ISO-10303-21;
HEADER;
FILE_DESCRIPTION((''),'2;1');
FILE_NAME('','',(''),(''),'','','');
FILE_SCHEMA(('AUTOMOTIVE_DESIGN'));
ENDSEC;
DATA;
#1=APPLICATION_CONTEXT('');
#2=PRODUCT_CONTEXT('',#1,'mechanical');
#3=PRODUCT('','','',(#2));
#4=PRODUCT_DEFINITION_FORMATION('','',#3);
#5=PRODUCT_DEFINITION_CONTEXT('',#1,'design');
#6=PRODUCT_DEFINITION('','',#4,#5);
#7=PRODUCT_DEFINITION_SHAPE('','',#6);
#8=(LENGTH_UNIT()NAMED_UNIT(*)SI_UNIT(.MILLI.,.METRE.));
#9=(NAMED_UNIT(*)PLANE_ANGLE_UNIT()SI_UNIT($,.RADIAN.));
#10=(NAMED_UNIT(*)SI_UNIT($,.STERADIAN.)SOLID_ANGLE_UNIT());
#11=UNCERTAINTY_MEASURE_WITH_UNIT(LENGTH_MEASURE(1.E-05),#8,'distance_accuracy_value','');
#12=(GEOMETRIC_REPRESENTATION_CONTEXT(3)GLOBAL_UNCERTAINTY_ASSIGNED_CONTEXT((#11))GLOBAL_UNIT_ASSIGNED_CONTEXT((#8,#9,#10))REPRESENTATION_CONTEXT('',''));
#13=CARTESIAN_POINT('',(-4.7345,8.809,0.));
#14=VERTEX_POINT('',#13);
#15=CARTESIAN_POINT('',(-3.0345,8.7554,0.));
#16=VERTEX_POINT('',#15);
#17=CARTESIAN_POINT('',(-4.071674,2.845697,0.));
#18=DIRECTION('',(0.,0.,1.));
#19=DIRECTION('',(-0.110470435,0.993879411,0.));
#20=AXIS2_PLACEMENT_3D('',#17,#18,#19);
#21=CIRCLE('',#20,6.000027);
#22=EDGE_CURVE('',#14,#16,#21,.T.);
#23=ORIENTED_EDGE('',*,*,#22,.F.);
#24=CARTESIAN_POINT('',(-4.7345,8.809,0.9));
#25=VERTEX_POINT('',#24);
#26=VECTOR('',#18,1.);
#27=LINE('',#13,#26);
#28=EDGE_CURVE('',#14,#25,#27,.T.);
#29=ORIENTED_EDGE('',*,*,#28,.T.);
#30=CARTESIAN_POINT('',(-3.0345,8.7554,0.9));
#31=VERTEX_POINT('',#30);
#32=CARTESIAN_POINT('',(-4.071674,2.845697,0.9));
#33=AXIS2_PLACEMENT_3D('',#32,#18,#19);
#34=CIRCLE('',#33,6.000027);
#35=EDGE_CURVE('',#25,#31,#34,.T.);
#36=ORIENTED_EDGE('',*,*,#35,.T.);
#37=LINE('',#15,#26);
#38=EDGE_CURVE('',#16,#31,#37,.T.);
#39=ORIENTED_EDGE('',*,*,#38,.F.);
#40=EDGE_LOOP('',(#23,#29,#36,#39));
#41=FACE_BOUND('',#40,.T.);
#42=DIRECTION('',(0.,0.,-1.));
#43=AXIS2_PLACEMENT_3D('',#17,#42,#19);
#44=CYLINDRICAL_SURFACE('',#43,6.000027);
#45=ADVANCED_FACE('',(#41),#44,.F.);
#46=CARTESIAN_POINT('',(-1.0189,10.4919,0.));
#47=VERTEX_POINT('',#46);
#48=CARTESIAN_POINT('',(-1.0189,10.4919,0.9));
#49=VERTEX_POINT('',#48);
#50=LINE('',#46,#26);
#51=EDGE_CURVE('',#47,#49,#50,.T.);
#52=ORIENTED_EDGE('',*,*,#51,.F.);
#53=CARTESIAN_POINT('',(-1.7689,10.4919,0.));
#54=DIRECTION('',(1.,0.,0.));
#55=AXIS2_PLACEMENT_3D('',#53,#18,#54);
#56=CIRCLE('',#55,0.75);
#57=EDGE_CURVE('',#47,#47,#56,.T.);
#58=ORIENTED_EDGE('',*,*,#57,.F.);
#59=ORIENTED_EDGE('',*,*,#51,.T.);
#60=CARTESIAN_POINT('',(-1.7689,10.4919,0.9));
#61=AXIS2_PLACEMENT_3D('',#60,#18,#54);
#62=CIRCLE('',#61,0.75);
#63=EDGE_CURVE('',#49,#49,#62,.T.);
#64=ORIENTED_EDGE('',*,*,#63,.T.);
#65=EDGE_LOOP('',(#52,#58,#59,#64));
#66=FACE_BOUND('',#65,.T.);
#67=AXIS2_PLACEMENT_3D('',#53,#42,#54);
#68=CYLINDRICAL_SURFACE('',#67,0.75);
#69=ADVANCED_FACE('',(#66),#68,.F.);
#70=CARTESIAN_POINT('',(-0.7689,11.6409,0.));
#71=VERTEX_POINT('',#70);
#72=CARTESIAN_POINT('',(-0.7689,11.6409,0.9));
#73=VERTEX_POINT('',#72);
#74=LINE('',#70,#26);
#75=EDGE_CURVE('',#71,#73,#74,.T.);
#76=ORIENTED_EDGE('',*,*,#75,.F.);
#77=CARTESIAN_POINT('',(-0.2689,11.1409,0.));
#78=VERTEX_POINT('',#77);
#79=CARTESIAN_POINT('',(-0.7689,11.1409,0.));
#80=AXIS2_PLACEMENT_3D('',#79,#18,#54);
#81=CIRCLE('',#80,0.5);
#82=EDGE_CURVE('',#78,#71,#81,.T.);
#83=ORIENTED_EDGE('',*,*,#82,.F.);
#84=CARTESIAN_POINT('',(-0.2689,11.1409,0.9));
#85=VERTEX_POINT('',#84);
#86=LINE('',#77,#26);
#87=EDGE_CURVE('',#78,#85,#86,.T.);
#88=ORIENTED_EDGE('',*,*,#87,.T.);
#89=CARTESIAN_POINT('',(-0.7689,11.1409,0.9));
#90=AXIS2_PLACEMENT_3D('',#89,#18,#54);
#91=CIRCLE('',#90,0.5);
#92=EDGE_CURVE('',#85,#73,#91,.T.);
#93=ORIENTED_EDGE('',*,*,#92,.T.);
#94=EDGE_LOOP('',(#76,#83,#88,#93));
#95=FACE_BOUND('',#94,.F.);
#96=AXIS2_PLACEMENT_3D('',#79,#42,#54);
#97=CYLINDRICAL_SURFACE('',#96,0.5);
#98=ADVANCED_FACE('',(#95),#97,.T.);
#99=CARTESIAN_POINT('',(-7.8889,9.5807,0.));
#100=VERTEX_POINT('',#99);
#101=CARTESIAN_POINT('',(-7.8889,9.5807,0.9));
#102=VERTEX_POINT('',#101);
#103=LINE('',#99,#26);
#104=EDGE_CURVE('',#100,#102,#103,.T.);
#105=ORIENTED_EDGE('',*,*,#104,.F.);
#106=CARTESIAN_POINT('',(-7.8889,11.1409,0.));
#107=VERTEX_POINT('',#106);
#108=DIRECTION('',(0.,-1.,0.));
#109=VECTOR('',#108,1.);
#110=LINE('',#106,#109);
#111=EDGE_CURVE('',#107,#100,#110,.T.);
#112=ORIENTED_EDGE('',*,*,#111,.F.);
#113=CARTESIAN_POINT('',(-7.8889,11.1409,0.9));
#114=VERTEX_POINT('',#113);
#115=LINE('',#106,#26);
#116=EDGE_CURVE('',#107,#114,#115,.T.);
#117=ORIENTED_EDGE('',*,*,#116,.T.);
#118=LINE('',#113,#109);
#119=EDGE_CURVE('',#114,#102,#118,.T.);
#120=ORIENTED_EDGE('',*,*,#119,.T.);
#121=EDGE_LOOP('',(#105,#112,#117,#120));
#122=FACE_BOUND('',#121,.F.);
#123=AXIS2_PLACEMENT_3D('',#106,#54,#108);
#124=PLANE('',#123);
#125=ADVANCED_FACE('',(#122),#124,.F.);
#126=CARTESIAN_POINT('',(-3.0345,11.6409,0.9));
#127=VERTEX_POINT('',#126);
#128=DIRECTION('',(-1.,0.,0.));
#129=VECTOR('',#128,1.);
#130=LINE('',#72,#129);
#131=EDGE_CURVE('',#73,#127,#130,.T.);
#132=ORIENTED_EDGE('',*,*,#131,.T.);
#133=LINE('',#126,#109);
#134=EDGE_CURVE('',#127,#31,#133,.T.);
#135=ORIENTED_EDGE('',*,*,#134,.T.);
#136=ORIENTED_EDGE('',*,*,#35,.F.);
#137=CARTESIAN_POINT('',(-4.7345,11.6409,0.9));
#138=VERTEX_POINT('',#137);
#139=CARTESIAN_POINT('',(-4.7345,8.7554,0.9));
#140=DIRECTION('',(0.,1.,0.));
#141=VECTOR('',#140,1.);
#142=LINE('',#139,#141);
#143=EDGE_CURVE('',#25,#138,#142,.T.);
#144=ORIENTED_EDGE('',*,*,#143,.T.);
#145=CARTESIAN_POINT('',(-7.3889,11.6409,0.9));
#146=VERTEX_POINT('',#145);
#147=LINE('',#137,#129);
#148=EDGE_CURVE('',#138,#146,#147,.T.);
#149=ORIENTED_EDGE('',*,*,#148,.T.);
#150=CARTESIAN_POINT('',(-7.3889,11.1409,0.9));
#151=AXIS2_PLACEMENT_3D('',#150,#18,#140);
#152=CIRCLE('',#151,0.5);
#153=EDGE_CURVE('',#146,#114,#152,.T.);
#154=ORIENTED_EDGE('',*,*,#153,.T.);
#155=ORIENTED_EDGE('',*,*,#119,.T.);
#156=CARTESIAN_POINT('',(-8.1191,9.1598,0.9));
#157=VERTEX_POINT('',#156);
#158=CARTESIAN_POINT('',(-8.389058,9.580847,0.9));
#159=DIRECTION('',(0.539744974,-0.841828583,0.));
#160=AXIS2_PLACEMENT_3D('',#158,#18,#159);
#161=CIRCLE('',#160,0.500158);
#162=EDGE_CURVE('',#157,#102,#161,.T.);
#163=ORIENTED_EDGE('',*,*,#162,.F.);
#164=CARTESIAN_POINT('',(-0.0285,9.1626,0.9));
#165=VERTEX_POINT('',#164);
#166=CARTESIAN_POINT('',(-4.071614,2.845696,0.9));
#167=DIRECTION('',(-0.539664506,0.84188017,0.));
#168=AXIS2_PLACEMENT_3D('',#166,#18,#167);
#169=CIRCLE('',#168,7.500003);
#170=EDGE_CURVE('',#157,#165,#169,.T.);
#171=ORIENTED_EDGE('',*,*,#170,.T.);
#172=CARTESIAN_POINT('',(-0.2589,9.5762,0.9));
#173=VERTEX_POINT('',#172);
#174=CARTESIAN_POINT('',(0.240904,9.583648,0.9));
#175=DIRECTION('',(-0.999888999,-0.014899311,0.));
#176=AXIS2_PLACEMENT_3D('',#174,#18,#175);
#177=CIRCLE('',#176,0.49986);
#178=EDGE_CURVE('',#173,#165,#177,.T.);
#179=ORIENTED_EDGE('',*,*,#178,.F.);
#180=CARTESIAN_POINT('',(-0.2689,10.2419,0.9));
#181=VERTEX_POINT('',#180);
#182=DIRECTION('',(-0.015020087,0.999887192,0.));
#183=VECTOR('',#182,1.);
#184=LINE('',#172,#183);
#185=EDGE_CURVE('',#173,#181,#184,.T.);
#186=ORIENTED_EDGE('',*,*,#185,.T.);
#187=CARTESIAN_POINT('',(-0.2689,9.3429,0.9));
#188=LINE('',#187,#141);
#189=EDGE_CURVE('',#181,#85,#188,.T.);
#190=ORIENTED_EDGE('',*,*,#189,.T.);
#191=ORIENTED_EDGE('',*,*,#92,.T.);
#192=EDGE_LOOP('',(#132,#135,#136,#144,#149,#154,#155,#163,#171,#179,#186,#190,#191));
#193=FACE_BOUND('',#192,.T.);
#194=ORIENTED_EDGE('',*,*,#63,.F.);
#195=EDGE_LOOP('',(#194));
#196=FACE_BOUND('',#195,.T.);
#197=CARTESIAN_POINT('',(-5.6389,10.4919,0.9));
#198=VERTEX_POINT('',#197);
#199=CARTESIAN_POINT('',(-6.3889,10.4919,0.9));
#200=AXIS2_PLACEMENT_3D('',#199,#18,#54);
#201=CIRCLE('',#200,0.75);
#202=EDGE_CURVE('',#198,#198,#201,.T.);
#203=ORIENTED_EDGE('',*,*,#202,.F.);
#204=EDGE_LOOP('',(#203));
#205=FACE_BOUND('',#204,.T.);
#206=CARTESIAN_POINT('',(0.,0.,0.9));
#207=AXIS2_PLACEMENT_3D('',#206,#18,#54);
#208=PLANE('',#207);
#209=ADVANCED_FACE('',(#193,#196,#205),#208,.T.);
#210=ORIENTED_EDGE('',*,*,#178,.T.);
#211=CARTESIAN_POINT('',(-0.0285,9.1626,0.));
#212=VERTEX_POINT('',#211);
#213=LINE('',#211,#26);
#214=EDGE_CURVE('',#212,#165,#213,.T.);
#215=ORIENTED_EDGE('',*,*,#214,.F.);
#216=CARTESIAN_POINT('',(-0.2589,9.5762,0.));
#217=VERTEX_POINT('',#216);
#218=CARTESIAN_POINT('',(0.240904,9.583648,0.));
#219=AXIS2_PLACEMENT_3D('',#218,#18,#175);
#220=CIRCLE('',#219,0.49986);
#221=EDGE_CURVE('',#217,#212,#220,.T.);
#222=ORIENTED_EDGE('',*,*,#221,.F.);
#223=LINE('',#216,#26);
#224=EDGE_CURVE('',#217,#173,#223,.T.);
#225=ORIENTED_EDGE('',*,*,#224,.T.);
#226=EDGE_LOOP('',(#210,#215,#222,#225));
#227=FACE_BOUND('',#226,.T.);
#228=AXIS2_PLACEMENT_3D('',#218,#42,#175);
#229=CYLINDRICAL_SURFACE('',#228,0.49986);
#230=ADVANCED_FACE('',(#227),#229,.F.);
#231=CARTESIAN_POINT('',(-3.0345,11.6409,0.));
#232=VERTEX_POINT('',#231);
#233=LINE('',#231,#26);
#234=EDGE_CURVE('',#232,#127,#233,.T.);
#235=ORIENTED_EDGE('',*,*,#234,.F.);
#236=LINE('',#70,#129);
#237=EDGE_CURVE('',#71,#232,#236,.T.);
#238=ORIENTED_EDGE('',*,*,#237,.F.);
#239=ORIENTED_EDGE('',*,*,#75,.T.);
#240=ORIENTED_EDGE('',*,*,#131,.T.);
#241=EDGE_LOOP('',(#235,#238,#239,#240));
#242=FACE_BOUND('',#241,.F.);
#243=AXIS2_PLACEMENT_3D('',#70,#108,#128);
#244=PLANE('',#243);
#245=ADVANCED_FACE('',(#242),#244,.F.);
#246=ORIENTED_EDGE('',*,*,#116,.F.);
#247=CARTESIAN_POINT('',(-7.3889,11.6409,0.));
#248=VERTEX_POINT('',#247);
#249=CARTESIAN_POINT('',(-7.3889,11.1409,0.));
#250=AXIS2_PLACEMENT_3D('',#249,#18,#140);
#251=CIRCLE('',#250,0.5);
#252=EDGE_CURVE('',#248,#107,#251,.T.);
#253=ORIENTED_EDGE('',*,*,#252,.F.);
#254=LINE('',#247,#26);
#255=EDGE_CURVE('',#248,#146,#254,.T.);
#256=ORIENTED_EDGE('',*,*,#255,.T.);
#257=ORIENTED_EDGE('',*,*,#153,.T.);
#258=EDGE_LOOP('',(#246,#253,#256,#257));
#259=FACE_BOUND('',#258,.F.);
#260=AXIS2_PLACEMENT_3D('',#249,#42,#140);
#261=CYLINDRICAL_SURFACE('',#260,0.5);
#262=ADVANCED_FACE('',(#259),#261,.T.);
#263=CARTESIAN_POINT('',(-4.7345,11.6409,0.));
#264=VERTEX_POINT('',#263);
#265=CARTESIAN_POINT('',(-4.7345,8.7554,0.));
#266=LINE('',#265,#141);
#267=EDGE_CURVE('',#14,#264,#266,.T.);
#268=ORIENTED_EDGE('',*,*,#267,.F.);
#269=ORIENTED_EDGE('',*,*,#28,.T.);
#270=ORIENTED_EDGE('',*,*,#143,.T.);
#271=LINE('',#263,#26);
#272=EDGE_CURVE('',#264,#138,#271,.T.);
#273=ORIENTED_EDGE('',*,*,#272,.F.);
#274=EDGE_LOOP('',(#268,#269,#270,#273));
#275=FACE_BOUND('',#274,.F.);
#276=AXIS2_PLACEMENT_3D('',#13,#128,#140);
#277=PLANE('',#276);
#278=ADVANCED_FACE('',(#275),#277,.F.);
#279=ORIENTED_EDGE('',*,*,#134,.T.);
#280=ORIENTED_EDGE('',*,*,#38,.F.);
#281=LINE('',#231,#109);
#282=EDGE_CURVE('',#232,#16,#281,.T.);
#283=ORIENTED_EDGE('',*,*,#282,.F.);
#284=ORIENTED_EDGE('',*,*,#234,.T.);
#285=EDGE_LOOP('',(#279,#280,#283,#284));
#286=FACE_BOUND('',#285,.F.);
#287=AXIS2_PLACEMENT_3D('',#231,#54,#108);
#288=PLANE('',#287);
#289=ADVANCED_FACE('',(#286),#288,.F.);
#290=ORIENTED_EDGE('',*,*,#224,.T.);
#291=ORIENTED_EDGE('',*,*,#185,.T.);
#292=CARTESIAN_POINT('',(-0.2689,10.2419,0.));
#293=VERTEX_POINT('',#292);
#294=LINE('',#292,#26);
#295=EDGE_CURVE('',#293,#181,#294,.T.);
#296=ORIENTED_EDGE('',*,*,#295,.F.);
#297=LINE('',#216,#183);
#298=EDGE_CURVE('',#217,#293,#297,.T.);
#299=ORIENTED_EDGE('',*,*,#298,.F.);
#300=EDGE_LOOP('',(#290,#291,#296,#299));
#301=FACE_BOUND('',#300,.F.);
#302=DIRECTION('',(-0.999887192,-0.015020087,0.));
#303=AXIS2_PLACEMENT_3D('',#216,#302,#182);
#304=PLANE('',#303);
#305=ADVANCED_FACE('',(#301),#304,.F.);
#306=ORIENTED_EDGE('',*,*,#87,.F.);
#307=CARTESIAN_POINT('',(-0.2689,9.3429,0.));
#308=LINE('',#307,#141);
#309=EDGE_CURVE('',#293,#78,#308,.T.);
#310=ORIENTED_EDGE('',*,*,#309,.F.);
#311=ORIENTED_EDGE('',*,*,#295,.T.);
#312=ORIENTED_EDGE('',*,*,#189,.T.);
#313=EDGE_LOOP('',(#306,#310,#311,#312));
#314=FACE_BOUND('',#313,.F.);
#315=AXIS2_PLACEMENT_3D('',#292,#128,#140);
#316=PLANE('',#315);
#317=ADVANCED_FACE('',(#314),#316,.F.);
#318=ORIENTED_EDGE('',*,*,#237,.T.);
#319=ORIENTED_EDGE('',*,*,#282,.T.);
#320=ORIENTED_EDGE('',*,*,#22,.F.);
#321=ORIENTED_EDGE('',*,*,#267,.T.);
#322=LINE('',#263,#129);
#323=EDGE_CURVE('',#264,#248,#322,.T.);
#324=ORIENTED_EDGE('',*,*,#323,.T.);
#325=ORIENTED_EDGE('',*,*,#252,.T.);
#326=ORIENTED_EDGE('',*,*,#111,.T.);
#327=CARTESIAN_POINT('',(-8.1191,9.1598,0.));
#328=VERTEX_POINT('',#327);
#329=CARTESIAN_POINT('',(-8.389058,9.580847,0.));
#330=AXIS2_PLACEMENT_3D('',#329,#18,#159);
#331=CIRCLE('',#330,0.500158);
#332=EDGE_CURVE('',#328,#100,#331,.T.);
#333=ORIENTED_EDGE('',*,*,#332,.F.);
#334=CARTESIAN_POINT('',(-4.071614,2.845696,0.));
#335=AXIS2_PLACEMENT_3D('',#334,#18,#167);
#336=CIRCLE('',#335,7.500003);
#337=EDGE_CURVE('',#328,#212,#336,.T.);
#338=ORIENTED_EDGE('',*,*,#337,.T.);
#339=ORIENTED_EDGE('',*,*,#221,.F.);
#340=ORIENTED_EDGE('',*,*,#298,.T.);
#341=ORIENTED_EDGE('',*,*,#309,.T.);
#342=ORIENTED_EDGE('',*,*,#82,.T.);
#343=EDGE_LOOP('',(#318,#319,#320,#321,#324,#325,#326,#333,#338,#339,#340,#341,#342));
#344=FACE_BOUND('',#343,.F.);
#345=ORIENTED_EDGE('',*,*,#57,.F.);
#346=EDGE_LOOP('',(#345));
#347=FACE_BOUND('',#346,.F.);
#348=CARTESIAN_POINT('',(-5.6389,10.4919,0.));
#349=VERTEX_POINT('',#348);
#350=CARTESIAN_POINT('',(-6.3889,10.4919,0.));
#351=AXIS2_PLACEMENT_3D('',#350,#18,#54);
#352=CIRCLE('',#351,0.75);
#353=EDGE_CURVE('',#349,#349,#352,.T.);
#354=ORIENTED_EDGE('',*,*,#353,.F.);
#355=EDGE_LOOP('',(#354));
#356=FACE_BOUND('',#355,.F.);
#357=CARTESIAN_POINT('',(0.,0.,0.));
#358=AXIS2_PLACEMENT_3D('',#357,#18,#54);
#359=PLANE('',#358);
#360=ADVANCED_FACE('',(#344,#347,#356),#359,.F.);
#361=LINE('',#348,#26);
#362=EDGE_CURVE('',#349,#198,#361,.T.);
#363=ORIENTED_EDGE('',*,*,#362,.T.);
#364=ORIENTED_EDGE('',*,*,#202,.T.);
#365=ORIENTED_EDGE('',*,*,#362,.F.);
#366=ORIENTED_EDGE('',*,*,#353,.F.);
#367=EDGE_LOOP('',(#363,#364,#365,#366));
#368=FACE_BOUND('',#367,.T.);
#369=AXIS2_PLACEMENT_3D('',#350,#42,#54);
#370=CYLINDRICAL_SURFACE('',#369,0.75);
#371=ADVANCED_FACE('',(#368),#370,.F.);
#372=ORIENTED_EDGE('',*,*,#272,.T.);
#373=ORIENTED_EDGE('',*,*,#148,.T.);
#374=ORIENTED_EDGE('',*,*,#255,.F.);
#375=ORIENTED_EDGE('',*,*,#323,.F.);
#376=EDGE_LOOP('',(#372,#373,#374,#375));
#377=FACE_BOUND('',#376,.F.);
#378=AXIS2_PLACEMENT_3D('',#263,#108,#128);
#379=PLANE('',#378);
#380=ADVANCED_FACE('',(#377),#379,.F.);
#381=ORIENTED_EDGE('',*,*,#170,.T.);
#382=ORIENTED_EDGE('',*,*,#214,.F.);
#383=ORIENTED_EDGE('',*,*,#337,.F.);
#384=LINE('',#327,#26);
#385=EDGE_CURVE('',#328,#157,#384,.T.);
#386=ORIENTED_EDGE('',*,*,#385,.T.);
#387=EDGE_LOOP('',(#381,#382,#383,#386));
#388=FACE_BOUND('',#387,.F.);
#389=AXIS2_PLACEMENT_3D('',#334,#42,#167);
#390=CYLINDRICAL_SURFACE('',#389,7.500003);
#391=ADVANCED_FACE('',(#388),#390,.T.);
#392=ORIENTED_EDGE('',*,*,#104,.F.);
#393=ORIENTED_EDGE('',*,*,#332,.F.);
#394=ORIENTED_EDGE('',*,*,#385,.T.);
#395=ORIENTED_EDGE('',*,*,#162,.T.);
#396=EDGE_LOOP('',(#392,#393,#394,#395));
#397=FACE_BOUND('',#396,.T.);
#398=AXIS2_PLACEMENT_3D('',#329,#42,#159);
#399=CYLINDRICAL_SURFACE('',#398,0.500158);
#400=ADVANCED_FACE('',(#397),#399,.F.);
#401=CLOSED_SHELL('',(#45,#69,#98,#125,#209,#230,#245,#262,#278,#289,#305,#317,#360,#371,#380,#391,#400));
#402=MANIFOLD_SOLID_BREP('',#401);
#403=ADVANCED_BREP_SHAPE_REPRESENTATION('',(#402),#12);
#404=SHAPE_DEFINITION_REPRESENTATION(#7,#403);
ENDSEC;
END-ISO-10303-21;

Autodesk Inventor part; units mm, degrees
ref_plane "YZ Plane" through (0, 0, 0) normal (1, 0, 0) x (0, 1, 0)
ref_plane "XZ Plane" through (0, 0, 0) normal (0, 1, 0) x (-1, 0, 0)
ref_plane "XY Plane" through (0, 0, 0) normal (0, 0, 1) x (1, 0, 0)
sketch "Sketch1" plane through (0, 0, 0) normal (0, 0, 1) x (1, 0, 0)
  arc A0 (-4.7345, 8.809) -> (-3.0345, 8.7554) centre (-4.0716, 2.8457) ccw
  line L0 (-0.2689, 9.3429) -> (-0.2689, 11.1409)
  line L1 (-0.7689, 11.6409) -> (-3.0345, 11.6409)
  line L2 (-7.8889, 11.1409) -> (-7.8889, 9.5807)
  circle A1 centre (-1.7689, 10.4919) radius 0.75
  circle A2 centre (-6.3889, 10.4919) radius 0.75
  arc A3 (-8.1191, 9.1598) -> (-0.0285, 9.1626) centre (-4.0716, 2.8457) ccw
  line L3 (-3.0345, 11.6409) -> (-3.0345, 8.7554)
  line L4 (-4.7345, 8.7554) -> (-4.7345, 11.6409)
  line L5 (-4.7345, 11.6409) -> (-7.3889, 11.6409)
  arc A4 (-0.2689, 11.1409) -> (-0.7689, 11.6409) centre (-0.7689, 11.1409) ccw
  arc A5 (-7.3889, 11.6409) -> (-7.8889, 11.1409) centre (-7.3889, 11.1409) ccw
  line L6 (-0.2589, 9.5762) -> (-0.2689, 10.2419)
  arc A6 (-0.2589, 9.5762) -> (-0.0285, 9.1626) centre (0.2411, 9.5837) ccw
  arc A7 (-8.1191, 9.1598) -> (-7.8889, 9.5807) centre (-8.3889, 9.5807) ccw
  point P0 (0, 0)
  point P1 (-7.8889, 9.3015)
  point P2 (-0.2547, 9.3018)
  dimension "d0" = 12
  dimension "d3" = 1.5
  dimension "d4" = 1.5
  dimension "d5" = 7.62
  dimension "d6" = 1.7
  dimension "d7" = 0.75
  dimension "d8" = 0.75
  dimension "d9" = 0.5
  dimension "d12" = 0.5
  dimension "d13" = 0.5
  dimension "d14" = 7.5
extrude "Extrusion1" add sketch "Sketch1" along normal blind 0.9
properties part number "Laasering"
